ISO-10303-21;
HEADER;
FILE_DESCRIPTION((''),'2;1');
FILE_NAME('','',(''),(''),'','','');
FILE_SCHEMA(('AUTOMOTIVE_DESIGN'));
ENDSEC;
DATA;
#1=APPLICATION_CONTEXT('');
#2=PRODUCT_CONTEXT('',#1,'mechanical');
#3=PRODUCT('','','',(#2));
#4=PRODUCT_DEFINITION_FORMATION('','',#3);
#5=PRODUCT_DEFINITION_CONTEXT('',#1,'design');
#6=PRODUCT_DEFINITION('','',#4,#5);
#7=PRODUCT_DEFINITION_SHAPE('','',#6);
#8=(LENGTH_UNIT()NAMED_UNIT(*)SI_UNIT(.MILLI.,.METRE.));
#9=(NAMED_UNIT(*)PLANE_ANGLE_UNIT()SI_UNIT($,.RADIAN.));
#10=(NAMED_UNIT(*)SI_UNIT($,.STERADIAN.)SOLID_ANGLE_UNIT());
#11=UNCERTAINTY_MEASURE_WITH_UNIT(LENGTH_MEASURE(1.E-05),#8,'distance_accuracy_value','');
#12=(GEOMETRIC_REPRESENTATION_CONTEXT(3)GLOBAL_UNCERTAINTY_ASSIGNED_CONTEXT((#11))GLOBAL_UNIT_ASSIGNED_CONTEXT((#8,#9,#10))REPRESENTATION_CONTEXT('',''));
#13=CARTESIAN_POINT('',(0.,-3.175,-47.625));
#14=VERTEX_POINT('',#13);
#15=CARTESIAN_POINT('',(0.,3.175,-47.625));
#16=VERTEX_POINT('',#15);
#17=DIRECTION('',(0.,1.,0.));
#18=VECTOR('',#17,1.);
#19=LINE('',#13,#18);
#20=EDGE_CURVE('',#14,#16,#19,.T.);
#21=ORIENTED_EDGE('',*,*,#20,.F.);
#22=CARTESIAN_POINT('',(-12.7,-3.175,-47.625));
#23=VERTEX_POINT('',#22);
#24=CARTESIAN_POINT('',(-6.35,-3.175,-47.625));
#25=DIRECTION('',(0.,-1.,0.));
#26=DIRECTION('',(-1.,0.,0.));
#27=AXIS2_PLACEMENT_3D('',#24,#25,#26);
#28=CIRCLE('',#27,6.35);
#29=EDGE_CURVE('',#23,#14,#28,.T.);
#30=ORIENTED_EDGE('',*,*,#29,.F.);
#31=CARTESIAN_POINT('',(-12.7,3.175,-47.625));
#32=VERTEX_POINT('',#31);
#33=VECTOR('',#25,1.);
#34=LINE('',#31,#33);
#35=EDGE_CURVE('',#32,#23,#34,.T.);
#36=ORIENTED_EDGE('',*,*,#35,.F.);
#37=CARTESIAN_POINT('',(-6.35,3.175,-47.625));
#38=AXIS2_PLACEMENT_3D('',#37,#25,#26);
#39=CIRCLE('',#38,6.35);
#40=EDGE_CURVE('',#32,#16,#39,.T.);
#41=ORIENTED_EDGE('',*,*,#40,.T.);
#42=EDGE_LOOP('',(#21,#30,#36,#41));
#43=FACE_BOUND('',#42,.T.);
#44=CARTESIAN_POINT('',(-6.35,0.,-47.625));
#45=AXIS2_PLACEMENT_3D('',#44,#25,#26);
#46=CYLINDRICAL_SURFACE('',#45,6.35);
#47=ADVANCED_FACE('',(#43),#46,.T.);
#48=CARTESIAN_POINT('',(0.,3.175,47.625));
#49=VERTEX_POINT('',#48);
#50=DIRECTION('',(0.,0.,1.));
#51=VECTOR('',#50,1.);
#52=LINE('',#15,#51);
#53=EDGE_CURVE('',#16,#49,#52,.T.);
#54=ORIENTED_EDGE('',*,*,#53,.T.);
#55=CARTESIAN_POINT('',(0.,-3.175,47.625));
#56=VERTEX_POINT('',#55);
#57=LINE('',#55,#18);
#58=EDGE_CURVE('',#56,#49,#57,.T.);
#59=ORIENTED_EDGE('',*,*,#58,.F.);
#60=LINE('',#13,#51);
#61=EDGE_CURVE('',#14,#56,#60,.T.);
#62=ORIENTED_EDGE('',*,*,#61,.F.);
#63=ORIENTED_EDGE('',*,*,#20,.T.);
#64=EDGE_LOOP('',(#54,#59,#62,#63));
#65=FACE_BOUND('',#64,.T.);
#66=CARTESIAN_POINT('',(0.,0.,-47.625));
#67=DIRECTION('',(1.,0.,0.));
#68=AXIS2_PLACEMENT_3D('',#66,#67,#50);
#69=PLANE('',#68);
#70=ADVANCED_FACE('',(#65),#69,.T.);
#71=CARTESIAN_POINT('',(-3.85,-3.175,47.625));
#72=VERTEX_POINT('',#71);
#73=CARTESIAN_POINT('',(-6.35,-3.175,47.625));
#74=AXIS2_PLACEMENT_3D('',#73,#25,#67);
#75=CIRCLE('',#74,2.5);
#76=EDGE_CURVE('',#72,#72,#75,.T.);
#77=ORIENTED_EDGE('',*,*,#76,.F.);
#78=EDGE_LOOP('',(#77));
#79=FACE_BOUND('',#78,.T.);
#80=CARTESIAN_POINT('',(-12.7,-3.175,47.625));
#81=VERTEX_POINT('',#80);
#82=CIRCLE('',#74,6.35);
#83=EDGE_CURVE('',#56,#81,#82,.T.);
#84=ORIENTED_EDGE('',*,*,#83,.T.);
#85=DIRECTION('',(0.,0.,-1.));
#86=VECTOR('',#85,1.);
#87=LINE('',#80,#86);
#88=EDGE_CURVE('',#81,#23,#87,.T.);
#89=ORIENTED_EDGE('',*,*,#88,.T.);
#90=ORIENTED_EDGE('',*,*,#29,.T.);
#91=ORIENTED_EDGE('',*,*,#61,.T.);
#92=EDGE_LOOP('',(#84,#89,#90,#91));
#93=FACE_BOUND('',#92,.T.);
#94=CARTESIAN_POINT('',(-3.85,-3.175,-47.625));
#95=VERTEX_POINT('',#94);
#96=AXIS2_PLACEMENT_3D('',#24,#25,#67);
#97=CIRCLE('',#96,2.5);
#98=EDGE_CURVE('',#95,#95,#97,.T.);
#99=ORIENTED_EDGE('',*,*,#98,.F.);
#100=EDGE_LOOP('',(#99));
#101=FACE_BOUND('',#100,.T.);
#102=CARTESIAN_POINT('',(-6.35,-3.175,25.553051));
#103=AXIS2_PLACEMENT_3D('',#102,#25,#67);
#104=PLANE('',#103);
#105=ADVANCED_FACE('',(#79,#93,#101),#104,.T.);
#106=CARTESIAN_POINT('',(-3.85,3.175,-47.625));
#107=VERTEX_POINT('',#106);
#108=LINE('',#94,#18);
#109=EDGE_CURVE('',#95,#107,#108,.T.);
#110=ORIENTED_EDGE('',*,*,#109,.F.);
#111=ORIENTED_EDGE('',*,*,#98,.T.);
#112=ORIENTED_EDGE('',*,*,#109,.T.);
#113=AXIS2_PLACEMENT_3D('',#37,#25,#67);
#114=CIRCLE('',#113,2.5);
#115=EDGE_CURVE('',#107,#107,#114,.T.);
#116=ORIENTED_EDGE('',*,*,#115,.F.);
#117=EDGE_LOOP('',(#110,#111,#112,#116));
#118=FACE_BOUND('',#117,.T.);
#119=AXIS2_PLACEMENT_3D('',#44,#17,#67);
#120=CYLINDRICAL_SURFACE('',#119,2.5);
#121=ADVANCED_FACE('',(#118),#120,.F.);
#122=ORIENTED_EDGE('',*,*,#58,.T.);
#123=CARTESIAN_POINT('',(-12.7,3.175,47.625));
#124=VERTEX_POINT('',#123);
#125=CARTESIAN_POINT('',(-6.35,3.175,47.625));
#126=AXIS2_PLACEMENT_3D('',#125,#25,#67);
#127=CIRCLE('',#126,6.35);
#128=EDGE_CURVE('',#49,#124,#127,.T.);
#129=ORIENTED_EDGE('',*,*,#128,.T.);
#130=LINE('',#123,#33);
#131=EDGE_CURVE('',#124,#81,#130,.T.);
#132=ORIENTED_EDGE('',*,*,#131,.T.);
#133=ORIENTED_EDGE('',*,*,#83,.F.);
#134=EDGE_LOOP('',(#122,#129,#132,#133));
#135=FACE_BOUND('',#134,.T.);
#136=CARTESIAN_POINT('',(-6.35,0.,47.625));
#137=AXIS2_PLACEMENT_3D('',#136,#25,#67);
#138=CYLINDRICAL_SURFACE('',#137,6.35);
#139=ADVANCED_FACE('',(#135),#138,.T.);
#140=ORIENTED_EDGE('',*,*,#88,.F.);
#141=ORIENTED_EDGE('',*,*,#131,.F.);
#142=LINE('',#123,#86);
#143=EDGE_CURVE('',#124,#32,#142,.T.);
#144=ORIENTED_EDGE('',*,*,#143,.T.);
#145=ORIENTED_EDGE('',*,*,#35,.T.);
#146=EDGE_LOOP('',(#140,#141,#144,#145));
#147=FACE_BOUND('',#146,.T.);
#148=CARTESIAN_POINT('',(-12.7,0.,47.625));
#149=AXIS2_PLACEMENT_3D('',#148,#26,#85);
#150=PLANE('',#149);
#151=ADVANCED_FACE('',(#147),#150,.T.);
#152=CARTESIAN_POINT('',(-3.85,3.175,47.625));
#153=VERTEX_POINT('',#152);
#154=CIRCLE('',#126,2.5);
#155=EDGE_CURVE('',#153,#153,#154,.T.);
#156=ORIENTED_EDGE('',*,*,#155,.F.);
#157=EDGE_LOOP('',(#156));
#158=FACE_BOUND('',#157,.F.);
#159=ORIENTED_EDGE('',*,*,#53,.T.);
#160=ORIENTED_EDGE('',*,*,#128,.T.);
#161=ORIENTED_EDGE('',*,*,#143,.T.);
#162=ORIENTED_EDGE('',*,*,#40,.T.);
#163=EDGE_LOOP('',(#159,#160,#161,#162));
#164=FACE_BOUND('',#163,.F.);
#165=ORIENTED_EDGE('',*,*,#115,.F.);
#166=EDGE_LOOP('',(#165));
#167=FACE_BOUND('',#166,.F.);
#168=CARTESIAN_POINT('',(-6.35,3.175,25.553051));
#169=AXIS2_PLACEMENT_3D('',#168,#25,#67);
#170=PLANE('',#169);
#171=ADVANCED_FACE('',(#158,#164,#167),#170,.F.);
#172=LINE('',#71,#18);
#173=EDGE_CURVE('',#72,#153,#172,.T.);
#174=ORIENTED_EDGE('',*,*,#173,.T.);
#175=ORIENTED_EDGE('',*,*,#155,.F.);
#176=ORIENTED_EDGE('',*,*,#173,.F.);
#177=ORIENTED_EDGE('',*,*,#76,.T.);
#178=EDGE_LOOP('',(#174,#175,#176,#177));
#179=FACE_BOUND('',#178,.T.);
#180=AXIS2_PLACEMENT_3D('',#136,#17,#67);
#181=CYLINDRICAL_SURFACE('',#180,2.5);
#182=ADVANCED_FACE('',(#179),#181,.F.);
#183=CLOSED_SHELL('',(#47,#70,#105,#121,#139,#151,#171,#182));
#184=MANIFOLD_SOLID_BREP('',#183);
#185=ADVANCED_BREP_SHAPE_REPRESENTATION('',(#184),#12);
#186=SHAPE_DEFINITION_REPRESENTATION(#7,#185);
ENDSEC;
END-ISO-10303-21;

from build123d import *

# Parameters (mm, degrees)
F0_R     = 2.5
F1_DEPTH = 3.175


with BuildPart() as f1:
    # F0 (on Front) → F1 (new body, symmetric)
    with BuildSketch(Plane.XZ):
        with BuildLine():
            ThreePointArc((0, 47.625), (-6.35, 53.975), (-12.7, 47.625))
            Line((-12.7, 47.625), (-12.7, 0))
            Line((-12.7, 0), (0, 0))
            Line((0, 0), (0, 47.625))
        make_face()
        with Locations((-6.35, 47.625)):
            Circle(F0_R, mode=Mode.SUBTRACT)
        with BuildLine():
            Line((0, 0), (-12.7, 0))
            Line((-12.7, 0), (-12.7, -47.625))
            ThreePointArc((-12.7, -47.625), (-6.35, -53.975), (0, -47.625))
            Line((0, -47.625), (0, 0))
        make_face()
        with Locations((-6.35, -47.625)):
            Circle(F0_R, mode=Mode.SUBTRACT)
    extrude(amount=F1_DEPTH, both=True)


solid = f1.part
